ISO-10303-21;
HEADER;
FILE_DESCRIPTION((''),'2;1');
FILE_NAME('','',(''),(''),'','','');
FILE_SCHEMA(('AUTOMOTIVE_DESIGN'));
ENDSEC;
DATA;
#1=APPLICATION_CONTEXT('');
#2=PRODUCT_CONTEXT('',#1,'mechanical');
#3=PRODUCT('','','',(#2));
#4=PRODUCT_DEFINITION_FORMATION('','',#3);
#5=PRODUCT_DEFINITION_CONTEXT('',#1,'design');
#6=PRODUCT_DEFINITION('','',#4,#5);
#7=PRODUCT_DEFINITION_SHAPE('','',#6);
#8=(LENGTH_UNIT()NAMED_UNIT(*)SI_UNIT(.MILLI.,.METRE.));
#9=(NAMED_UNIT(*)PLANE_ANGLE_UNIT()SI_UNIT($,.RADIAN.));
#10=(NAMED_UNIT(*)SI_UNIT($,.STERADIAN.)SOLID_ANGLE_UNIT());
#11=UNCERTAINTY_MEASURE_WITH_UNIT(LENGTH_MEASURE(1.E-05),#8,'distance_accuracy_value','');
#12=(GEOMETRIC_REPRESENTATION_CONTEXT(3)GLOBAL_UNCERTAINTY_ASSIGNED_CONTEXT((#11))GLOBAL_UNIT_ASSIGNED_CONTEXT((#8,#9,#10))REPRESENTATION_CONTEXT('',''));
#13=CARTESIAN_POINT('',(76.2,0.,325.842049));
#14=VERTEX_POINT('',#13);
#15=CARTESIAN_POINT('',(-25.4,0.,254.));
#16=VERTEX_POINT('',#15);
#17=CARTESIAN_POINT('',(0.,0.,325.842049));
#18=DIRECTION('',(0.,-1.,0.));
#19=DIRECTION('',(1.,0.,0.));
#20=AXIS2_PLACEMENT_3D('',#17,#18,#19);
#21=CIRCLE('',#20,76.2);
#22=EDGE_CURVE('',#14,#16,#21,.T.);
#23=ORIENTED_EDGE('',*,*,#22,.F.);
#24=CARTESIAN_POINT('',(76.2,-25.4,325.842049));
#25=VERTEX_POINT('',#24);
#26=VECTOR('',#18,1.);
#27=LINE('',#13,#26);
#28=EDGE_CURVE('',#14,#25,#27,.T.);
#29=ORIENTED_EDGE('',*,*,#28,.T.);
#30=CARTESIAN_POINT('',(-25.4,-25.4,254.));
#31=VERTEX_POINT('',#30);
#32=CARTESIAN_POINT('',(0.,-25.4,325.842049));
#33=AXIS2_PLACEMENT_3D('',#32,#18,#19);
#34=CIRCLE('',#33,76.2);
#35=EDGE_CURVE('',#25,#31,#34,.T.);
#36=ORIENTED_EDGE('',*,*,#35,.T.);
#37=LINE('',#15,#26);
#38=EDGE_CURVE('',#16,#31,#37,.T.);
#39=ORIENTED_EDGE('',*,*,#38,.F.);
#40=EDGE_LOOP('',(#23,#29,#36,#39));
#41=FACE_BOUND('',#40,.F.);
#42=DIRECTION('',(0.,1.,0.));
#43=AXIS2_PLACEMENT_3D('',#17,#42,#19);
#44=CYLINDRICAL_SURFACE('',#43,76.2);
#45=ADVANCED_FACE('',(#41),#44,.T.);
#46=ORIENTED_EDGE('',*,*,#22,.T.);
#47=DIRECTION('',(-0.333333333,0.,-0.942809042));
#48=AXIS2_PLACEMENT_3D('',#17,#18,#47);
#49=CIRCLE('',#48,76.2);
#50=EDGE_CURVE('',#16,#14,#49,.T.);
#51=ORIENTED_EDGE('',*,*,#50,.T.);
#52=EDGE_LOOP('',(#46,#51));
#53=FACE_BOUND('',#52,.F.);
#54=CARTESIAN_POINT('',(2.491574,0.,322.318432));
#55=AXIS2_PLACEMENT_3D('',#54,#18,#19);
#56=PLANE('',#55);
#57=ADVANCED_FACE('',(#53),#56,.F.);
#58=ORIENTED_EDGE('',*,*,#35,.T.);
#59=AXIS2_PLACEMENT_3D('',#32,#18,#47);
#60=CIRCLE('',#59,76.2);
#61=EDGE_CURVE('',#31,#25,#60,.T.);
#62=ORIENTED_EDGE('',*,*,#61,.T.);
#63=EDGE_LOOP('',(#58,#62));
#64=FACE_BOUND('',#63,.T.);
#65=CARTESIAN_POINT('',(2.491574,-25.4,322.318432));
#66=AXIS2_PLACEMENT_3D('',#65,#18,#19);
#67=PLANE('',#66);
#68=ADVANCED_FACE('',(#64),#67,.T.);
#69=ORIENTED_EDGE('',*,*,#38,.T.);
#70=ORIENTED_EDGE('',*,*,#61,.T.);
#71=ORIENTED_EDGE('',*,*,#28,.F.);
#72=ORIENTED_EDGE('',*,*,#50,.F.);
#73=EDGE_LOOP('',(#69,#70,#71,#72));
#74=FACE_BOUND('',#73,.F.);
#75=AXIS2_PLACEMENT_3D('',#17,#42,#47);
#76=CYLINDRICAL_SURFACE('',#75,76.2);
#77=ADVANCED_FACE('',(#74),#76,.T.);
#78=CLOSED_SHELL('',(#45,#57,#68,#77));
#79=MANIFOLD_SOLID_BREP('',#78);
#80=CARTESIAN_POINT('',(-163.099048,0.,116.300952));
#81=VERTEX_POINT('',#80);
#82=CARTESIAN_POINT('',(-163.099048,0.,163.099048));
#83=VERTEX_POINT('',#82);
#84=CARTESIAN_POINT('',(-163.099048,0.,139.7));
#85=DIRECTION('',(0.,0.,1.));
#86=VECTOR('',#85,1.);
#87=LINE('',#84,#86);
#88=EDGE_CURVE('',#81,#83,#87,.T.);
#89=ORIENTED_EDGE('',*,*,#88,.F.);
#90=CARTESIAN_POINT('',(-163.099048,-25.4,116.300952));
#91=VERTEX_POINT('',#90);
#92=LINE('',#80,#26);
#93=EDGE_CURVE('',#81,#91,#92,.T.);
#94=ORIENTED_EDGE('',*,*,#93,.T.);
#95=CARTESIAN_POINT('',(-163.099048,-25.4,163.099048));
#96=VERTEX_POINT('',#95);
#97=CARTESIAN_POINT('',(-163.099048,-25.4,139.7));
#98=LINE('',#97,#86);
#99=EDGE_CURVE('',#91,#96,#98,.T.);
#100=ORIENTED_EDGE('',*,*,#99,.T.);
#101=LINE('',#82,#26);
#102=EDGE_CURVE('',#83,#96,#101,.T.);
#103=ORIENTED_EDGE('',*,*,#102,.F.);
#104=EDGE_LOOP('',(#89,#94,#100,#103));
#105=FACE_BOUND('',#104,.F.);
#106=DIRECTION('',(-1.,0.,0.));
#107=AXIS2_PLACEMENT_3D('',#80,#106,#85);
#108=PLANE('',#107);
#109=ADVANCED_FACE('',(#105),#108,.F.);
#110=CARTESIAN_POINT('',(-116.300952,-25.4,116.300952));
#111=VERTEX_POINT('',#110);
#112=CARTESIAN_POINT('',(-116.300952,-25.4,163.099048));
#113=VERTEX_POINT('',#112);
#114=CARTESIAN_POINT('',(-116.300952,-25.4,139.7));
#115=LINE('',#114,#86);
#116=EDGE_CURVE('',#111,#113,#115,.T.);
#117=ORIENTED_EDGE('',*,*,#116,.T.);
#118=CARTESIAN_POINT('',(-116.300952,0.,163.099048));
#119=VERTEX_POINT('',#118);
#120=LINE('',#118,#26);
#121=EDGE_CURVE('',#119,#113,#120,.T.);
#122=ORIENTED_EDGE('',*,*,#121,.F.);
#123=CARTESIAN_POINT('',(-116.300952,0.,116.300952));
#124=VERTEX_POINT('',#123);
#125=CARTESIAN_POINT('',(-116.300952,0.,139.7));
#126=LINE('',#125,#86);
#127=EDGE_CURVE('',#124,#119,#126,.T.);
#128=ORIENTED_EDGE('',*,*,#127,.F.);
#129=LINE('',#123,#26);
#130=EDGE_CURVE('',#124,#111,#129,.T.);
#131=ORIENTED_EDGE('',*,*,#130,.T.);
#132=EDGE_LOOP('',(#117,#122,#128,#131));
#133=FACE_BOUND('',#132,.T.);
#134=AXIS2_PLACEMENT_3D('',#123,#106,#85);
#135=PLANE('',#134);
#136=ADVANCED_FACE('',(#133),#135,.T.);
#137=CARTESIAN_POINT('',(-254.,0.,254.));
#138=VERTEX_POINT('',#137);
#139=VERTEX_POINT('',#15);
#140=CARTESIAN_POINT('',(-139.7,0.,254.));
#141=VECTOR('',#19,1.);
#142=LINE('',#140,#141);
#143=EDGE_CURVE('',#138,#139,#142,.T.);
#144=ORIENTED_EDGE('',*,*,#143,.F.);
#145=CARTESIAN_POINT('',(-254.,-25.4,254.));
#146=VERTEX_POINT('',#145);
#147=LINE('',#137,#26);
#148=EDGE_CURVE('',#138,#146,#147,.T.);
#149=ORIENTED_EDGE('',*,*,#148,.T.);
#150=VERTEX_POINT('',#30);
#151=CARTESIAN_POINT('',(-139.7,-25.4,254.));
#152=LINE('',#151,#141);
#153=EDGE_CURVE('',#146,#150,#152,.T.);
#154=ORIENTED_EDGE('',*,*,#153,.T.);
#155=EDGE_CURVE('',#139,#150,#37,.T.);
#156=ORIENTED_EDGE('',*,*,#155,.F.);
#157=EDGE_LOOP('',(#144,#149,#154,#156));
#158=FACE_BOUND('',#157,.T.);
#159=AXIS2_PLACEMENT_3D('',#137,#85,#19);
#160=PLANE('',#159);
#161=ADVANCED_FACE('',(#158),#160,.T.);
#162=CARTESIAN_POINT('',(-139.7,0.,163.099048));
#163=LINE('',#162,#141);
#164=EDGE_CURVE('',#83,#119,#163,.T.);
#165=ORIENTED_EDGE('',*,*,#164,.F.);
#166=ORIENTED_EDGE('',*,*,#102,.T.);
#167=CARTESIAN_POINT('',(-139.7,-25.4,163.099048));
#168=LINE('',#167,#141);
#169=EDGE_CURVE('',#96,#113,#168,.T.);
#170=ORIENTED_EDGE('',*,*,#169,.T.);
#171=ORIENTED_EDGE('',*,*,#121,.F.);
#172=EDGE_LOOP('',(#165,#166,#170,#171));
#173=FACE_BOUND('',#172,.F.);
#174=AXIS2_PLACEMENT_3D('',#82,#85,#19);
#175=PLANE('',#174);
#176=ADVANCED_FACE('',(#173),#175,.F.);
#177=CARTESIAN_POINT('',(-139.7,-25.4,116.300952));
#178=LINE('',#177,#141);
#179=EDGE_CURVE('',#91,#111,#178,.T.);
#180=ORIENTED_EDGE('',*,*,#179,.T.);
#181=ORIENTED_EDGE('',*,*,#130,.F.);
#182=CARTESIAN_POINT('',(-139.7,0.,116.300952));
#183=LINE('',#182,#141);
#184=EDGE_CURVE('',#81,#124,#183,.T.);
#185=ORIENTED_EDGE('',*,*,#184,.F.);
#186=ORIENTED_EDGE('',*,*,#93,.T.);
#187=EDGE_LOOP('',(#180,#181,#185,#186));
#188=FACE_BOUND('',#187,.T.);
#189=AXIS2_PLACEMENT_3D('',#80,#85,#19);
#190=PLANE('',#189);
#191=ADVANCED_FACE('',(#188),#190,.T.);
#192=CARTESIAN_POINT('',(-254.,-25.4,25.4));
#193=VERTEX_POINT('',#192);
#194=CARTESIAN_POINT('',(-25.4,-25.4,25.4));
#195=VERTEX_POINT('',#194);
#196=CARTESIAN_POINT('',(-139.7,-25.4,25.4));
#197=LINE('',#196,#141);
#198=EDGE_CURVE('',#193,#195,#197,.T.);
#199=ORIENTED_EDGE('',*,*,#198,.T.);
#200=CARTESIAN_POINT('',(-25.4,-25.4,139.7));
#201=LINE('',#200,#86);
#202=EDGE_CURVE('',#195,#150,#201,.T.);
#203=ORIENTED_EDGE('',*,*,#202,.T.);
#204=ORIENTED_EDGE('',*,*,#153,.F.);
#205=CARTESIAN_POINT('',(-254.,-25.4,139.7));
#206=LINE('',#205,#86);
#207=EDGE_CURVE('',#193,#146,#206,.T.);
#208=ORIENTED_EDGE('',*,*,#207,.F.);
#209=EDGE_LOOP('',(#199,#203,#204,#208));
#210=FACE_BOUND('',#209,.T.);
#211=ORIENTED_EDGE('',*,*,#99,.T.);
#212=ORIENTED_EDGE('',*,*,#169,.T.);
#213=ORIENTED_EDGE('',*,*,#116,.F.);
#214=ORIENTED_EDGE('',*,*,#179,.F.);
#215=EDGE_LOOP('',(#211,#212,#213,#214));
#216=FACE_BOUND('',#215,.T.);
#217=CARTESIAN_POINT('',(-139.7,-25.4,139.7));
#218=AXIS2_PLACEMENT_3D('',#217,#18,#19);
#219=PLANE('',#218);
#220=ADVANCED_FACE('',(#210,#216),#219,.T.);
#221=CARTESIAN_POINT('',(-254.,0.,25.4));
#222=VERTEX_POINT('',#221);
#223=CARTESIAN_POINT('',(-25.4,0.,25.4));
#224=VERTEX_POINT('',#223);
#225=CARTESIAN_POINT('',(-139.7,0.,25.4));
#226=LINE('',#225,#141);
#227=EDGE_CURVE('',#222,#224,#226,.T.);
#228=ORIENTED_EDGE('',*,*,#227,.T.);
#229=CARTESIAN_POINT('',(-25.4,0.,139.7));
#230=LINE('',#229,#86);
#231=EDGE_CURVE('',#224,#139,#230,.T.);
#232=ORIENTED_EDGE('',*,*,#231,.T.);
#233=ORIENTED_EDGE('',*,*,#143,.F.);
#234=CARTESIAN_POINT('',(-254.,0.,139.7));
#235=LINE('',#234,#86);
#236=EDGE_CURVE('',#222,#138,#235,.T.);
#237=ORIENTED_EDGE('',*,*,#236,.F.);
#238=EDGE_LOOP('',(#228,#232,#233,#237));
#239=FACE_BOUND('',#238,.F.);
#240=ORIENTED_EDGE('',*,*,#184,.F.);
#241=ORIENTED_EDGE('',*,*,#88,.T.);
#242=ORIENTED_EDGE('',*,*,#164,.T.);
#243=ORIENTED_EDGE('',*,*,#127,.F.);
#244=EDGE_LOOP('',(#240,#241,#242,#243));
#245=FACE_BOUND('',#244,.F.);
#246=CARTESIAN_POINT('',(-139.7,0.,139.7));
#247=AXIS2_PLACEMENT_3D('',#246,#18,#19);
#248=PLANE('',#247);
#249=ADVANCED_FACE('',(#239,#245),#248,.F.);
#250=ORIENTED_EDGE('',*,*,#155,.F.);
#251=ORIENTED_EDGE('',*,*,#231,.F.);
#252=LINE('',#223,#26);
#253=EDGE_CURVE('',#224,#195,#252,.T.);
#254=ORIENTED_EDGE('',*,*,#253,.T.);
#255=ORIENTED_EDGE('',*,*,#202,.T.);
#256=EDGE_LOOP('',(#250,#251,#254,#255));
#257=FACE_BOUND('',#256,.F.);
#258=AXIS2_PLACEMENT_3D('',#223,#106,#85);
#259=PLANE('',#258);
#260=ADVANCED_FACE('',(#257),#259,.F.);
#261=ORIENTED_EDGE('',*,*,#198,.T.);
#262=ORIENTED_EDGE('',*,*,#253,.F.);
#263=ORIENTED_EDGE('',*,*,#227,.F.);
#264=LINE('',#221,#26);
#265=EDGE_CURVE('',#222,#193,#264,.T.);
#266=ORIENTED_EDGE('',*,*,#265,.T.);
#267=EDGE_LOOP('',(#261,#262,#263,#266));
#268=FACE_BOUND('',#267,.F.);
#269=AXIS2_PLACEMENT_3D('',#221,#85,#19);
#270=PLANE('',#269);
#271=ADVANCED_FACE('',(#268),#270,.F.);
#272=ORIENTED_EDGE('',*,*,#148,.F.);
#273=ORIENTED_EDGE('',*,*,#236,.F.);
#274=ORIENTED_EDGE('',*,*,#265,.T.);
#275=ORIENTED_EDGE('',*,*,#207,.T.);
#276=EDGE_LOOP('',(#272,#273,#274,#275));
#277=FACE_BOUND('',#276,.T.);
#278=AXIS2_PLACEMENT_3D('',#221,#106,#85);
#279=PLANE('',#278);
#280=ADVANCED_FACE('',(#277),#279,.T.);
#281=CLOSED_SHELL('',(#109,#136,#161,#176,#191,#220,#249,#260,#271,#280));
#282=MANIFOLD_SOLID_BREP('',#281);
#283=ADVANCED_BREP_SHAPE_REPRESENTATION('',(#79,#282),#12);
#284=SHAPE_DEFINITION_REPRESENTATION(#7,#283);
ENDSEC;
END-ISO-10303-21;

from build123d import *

# Parameters (mm, degrees)
F0_W     = 228.6
F0_H     = 228.6
F0_W_2   = 46.7980969906
F0_H_2   = 46.7980969906
F1_DEPTH = 25.4


with BuildPart() as f1:
    # F0 (on Front) → F1 (new body)
    with BuildSketch(Plane.XZ):
        with Locations((-139.7, 139.7)):
            Rectangle(F0_W, F0_H)
        with Locations((-139.7, 139.7)):
            Rectangle(F0_W_2, F0_H_2, mode=Mode.SUBTRACT)
    extrude(amount=F1_DEPTH)


with BuildPart() as f1b:
    # F0 (on Front) → F1, piece 2 (new body)
    with BuildSketch(Plane.XZ):
        with BuildLine():
            ThreePointArc((76.2, 325.8420489686), (-43.9940905122, 388.0590884352), (-25.4, 254))
            ThreePointArc((-25.4, 254), (43.9940905122, 263.6250095019), (76.2, 325.8420489686))
        make_face()
    extrude(amount=F1_DEPTH)


solid = Compound([f1.part, f1b.part])
